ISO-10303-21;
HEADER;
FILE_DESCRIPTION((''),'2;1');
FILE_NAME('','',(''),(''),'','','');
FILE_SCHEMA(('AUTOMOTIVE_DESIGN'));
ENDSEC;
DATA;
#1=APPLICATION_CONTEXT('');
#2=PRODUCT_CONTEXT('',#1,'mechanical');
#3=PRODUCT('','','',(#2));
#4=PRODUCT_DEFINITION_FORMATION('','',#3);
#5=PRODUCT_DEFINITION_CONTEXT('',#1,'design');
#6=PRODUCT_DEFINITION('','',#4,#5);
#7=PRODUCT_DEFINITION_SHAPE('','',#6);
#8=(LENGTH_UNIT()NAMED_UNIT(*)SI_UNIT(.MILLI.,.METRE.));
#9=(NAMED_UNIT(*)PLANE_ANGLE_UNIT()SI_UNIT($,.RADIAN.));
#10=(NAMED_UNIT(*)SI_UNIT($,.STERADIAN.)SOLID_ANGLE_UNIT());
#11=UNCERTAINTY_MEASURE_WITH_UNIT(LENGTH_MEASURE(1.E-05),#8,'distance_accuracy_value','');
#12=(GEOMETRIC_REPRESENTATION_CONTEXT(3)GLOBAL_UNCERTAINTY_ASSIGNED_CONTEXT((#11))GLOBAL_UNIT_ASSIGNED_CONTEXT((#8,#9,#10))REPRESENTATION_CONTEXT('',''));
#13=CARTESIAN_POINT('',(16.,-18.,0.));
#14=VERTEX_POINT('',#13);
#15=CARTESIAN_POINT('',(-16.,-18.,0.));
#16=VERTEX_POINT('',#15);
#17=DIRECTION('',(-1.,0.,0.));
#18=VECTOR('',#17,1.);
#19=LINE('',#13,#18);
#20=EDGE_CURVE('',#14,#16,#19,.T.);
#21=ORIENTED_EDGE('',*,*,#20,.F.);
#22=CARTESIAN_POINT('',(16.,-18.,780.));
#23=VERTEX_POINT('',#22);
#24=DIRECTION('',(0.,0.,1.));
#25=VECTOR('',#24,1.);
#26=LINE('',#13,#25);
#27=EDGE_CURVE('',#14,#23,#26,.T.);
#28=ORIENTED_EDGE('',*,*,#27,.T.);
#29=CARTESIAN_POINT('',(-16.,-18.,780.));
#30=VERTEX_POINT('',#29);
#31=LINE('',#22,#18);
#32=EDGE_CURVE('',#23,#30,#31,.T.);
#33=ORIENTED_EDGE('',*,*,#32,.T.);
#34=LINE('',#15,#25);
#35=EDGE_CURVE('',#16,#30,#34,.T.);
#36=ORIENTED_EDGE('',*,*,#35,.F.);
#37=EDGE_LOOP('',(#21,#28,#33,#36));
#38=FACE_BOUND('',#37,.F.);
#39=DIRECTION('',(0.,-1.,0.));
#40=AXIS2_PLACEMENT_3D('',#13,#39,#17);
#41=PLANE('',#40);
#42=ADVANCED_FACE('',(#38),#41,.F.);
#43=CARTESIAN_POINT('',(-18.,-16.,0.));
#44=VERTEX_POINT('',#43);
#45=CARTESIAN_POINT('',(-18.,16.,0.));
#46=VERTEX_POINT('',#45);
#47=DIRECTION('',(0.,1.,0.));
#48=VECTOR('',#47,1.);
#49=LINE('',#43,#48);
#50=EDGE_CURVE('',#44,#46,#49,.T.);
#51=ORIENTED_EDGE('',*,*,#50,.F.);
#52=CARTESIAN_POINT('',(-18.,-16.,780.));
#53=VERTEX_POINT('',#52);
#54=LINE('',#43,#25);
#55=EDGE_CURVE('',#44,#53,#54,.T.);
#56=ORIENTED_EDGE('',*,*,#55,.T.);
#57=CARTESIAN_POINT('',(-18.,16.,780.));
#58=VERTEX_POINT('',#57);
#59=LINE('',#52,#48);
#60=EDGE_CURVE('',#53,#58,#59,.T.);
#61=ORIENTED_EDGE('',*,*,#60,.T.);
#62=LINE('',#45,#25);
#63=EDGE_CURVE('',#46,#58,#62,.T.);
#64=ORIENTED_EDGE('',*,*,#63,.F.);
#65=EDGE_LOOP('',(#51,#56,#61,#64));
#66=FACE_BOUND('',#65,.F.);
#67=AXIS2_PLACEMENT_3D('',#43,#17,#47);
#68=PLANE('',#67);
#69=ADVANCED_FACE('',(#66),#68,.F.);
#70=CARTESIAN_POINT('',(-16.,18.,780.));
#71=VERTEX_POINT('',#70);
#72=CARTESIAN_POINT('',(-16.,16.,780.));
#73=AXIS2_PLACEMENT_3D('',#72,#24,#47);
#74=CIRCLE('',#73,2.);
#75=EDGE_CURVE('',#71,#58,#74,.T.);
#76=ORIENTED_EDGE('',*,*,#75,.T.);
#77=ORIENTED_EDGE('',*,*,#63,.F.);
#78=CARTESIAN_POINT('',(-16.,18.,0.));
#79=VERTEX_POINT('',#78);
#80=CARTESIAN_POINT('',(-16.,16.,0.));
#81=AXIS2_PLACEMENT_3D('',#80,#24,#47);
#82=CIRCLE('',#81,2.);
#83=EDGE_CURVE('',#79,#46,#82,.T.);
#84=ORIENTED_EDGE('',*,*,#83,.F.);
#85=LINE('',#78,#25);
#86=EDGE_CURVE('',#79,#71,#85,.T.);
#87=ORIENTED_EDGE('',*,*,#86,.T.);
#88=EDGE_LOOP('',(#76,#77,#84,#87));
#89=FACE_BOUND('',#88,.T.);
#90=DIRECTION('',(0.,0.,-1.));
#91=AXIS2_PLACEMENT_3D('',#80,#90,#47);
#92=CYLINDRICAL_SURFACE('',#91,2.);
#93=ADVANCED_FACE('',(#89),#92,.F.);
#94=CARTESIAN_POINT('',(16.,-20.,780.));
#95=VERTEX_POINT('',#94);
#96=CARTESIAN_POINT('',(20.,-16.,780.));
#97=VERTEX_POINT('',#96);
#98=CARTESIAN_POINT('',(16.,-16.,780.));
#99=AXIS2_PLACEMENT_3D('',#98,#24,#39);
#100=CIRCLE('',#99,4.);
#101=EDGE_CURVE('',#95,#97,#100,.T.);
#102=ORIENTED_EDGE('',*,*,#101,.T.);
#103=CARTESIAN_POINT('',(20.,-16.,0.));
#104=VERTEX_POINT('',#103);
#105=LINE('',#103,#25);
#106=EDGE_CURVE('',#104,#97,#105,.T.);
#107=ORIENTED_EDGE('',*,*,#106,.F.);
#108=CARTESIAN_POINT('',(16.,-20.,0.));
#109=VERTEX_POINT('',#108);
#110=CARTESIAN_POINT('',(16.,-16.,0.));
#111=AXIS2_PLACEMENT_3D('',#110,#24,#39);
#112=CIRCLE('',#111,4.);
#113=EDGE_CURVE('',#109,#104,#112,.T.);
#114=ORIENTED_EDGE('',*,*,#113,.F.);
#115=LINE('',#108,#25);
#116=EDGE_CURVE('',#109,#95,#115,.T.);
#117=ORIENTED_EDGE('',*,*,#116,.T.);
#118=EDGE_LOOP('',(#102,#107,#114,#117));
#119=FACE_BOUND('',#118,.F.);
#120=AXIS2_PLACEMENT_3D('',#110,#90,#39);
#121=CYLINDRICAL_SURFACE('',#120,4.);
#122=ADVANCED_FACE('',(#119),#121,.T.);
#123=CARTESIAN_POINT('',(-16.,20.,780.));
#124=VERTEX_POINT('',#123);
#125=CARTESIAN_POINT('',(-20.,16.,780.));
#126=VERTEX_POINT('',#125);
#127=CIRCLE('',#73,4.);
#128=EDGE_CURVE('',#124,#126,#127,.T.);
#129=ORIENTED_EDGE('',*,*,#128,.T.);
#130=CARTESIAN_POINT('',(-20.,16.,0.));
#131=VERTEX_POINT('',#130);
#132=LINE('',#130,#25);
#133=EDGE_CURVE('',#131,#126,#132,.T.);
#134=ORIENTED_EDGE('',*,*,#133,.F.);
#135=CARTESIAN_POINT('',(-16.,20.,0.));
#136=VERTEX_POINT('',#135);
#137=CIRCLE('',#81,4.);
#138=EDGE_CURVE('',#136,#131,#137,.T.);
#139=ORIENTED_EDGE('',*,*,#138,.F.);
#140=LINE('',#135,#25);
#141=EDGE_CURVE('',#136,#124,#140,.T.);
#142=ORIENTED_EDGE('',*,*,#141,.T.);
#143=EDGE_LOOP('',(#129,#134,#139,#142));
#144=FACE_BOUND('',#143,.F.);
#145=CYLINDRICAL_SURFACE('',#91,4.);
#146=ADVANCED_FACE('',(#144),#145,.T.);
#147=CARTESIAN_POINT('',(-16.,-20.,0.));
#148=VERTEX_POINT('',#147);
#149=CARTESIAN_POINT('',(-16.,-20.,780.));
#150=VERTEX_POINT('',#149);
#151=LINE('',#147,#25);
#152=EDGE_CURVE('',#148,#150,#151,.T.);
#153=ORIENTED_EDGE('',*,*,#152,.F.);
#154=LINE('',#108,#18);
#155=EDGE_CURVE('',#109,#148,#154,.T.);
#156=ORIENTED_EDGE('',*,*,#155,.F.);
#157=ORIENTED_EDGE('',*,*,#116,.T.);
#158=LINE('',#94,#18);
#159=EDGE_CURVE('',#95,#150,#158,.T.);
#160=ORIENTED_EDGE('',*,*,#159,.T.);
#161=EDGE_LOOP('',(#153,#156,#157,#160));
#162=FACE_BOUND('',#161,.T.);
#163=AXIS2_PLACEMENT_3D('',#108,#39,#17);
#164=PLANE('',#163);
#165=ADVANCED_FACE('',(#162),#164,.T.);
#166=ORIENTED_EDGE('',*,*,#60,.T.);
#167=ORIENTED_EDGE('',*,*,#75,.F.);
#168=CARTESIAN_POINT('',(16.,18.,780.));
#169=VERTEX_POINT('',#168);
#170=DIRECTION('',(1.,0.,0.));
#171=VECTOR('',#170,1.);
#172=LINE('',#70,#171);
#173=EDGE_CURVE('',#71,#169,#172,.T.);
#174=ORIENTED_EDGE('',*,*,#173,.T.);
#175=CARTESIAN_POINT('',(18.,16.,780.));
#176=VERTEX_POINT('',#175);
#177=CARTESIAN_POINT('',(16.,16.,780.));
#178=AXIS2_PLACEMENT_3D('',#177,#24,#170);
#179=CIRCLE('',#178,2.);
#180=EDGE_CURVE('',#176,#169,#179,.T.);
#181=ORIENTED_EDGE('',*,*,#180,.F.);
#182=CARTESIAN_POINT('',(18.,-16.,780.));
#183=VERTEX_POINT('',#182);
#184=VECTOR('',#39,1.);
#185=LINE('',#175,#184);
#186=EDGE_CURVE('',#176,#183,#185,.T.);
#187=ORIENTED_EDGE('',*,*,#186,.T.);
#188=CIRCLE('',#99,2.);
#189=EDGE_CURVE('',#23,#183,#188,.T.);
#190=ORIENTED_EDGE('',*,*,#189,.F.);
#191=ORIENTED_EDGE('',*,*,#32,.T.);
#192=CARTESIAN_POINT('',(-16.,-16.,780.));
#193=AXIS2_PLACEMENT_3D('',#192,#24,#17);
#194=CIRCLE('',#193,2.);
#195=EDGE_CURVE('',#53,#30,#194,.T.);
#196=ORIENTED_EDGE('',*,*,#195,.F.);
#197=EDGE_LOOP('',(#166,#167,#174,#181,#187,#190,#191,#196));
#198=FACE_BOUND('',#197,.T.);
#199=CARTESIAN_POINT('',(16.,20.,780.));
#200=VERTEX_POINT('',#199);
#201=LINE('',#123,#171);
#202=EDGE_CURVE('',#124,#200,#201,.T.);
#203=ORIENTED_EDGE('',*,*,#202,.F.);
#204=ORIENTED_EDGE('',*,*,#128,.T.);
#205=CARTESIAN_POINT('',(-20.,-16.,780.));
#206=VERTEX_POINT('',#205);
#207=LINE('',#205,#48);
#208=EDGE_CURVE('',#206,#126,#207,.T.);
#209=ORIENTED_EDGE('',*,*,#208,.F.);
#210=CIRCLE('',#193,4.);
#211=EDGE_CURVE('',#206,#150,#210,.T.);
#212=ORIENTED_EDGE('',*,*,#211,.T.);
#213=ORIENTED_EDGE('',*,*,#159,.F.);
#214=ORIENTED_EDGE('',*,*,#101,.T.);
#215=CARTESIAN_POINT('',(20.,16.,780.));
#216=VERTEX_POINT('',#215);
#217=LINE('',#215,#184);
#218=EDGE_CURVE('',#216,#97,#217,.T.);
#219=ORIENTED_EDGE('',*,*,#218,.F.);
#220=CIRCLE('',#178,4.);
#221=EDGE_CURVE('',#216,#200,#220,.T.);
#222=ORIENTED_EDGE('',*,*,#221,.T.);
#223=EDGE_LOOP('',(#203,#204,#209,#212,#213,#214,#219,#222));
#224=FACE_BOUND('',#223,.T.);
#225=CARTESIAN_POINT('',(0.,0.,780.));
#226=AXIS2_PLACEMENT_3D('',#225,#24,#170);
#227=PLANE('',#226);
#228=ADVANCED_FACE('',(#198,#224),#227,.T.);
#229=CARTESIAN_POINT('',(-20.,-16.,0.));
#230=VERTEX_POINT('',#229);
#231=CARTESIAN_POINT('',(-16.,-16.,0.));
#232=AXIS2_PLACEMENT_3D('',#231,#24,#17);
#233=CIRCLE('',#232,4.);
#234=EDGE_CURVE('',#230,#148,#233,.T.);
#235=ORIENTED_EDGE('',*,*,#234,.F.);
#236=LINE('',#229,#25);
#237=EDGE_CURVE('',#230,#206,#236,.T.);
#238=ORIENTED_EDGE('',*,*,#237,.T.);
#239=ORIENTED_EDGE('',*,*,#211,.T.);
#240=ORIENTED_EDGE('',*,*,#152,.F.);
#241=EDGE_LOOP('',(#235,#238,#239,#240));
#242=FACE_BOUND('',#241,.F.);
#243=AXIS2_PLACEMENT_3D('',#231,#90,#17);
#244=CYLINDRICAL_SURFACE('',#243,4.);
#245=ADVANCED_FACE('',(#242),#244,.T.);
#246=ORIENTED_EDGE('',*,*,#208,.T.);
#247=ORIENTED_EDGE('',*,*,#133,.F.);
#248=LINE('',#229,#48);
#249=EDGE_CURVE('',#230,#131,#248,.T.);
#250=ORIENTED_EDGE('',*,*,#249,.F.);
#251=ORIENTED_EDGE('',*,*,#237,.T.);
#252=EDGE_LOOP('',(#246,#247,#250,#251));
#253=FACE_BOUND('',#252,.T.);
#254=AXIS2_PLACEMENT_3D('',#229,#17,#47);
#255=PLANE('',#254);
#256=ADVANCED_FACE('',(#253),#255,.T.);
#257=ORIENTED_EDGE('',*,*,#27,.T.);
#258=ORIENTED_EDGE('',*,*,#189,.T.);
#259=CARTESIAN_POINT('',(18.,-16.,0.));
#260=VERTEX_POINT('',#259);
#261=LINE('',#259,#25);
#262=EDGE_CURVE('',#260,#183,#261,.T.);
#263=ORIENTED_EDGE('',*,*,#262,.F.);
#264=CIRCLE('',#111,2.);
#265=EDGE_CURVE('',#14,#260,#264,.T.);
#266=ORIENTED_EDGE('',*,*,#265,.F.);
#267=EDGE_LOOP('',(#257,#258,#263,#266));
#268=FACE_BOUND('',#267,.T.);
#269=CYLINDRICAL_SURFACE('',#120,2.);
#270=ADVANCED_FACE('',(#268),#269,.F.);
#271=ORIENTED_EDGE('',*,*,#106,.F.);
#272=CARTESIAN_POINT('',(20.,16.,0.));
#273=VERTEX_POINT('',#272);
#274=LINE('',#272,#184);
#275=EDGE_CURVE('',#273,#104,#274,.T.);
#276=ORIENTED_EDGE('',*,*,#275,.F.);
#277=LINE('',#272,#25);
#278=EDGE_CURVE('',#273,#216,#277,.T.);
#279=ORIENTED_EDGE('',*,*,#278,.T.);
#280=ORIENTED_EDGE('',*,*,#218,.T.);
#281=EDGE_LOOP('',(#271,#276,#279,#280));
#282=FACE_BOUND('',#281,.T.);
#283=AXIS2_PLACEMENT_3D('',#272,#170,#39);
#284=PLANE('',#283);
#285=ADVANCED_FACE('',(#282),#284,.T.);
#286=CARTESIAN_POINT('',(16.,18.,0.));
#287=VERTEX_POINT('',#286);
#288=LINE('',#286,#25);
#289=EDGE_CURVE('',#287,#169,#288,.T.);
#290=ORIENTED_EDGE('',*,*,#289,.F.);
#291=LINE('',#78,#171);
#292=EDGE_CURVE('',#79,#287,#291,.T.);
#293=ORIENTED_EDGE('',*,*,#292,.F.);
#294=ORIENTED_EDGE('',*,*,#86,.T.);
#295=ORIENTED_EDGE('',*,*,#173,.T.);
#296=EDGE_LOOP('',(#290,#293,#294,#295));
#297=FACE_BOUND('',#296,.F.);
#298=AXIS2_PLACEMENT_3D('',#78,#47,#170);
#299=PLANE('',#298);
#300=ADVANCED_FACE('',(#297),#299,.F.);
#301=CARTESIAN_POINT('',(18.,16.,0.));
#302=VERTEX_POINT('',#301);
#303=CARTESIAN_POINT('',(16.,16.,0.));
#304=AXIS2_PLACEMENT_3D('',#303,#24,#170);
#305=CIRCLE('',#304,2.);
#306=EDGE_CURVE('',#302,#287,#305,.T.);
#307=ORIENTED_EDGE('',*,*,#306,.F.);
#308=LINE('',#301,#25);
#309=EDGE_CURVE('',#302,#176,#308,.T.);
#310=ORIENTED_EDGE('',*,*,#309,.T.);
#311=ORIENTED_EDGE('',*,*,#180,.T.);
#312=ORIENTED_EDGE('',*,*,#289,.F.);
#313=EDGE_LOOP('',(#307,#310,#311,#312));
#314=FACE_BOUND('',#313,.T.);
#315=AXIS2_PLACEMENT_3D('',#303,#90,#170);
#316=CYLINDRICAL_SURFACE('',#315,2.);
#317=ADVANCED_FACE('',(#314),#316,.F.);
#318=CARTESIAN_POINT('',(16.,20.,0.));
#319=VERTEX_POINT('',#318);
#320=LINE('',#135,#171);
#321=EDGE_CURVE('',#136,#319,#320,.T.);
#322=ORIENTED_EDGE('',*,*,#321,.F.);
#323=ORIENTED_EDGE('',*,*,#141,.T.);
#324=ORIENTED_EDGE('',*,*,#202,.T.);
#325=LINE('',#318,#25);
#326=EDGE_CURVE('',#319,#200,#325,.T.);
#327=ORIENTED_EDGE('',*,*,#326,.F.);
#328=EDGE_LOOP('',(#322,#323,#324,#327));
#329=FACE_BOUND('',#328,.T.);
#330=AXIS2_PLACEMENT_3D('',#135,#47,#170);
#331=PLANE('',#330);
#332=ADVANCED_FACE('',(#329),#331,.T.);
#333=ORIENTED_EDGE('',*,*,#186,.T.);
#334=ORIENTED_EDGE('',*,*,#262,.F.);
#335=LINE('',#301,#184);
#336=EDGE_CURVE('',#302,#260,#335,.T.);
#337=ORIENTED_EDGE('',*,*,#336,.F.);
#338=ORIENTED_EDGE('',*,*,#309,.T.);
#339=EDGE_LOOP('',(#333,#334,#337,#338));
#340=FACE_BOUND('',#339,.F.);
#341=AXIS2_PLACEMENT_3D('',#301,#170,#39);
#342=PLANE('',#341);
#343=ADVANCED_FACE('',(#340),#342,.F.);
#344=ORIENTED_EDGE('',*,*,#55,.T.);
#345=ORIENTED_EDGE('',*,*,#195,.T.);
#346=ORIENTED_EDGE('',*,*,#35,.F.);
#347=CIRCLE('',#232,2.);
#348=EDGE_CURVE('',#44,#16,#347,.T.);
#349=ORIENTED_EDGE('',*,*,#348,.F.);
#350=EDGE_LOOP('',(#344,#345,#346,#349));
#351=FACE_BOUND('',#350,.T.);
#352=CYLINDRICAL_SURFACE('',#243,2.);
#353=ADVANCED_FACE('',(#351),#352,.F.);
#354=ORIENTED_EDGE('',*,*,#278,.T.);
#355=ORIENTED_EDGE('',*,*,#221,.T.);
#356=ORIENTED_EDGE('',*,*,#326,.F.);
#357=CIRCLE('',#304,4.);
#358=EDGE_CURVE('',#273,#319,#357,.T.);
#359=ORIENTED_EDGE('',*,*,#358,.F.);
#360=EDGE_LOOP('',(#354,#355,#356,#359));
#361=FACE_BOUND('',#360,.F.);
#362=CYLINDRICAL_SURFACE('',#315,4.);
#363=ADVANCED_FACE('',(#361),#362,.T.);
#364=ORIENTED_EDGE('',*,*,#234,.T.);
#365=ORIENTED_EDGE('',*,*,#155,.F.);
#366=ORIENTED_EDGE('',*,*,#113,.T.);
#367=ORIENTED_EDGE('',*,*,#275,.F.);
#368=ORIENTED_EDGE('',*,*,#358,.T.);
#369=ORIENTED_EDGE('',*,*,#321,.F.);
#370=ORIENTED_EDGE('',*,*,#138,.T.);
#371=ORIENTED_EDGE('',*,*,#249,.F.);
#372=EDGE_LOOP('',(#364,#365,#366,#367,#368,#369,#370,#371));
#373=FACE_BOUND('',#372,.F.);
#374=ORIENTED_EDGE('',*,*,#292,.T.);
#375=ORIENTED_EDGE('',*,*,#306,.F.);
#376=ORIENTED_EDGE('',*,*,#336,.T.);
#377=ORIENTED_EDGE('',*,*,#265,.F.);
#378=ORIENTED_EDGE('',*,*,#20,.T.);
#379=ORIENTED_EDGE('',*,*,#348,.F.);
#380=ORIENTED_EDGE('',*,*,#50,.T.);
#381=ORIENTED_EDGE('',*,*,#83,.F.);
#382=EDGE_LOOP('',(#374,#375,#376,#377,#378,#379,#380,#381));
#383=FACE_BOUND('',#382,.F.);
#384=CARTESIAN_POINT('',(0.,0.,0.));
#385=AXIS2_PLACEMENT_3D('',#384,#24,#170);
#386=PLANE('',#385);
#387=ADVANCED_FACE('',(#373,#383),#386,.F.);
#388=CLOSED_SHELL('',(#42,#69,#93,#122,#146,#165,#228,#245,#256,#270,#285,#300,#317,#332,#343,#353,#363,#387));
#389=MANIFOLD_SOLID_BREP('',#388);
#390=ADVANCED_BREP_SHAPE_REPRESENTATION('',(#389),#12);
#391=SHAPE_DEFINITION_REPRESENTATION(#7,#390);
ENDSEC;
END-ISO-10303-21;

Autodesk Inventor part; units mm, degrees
ref_plane "Start Plane" through (0, 0, 0) normal (0, 0, 1) x (1, 0, 0)
ref_plane "End Plane" through (0, 0, 780) normal (0, 0, 1) x (1, 0, 0)
sketch "Sketch" plane through (0, 0, 0) normal (0, 0, 1) x (1, 0, 0)
  line L0 (-20, -16) -> (-20, 16)
  line L1 (-16, 20) -> (16, 20)
  line L2 (20, 16) -> (20, -16)
  line L3 (16, -20) -> (-16, -20)
  arc A0 (-20, -16) -> (-16, -20) centre (-16, -16) ccw
  arc A1 (20, 16) -> (16, 20) centre (16, 16) ccw
  arc A2 (-16, 20) -> (-20, 16) centre (-16, 16) ccw
  arc A3 (16, -20) -> (20, -16) centre (16, -16) ccw
  arc A4 (-16, 18) -> (-18, 16) centre (-16, 16) ccw
  line L4 (-16, 18) -> (16, 18)
  arc A5 (18, 16) -> (16, 18) centre (16, 16) ccw
  line L5 (18, 16) -> (18, -16)
  arc A6 (16, -18) -> (18, -16) centre (16, -16) ccw
  line L6 (16, -18) -> (-16, -18)
  arc A7 (-18, -16) -> (-16, -18) centre (-16, -16) ccw
  line L7 (-18, -16) -> (-18, 16)
  line L8 (0, 29.1598) -> (0, -29.1598) construction
  line L9 (-29.1598, 0) -> (29.1598, 0) construction
  dimension "d7" = 4
  dimension "d9" = 40
  dimension "d11" = 40
  dimension "d12" = 2
  dimension "d15" = 20
  dimension "d16" = 20
extrude "Body" add sketch "Sketch" along normal up to surface (780 mm away) from surface at 0
sketch "Sketch3" plane through (0, 0, 0) normal (0, 0, 1) x (1, 0, 0)
  line L0 (0, 0) -> (10, 0)
ref_plane "Work Plane3" through (0, 0, 0) normal (0, -1, 0) x (1, 0, 0)
sketch "Sketch4" plane through (0, 0, 0) normal (0, -1, 0) x (1, 0, 0)
  line L0 (-2, 0) -> (12, 0)
  line L1 (-2, 780) -> (12, 780)
  dimension "d18" = 780
ref_plane "Work Plane4" through (1184, -692.8203, 780) normal (0, 0, 1) x (1, 0, 0)
split "Split1" plane through (1184, -692.8203, 780) removes the side toward (0, 0, 1)
equation "\"d7\" = G_IR"
equation "\"d9\" = G_W"
equation "\"d11\" = G_H"
equation "\"d12\" = G_T"
equation "\"d15\" = 0.5 * d9"
equation "\"d16\" = 0.5 * d11"
equation "\"d3\" = G_L"
equation "\"G_W\" = 40"
equation "\"G_H\" = 40"
equation "\"G_T\" = 2"
equation "\"G_IR\" = 4"
equation "\"G_L\" = d18"
equation "\"G_OFFSET_START\" = 0"
properties part number "ISO 10799-2 - 40x40x2 - 780" material "Steel, Mild"
